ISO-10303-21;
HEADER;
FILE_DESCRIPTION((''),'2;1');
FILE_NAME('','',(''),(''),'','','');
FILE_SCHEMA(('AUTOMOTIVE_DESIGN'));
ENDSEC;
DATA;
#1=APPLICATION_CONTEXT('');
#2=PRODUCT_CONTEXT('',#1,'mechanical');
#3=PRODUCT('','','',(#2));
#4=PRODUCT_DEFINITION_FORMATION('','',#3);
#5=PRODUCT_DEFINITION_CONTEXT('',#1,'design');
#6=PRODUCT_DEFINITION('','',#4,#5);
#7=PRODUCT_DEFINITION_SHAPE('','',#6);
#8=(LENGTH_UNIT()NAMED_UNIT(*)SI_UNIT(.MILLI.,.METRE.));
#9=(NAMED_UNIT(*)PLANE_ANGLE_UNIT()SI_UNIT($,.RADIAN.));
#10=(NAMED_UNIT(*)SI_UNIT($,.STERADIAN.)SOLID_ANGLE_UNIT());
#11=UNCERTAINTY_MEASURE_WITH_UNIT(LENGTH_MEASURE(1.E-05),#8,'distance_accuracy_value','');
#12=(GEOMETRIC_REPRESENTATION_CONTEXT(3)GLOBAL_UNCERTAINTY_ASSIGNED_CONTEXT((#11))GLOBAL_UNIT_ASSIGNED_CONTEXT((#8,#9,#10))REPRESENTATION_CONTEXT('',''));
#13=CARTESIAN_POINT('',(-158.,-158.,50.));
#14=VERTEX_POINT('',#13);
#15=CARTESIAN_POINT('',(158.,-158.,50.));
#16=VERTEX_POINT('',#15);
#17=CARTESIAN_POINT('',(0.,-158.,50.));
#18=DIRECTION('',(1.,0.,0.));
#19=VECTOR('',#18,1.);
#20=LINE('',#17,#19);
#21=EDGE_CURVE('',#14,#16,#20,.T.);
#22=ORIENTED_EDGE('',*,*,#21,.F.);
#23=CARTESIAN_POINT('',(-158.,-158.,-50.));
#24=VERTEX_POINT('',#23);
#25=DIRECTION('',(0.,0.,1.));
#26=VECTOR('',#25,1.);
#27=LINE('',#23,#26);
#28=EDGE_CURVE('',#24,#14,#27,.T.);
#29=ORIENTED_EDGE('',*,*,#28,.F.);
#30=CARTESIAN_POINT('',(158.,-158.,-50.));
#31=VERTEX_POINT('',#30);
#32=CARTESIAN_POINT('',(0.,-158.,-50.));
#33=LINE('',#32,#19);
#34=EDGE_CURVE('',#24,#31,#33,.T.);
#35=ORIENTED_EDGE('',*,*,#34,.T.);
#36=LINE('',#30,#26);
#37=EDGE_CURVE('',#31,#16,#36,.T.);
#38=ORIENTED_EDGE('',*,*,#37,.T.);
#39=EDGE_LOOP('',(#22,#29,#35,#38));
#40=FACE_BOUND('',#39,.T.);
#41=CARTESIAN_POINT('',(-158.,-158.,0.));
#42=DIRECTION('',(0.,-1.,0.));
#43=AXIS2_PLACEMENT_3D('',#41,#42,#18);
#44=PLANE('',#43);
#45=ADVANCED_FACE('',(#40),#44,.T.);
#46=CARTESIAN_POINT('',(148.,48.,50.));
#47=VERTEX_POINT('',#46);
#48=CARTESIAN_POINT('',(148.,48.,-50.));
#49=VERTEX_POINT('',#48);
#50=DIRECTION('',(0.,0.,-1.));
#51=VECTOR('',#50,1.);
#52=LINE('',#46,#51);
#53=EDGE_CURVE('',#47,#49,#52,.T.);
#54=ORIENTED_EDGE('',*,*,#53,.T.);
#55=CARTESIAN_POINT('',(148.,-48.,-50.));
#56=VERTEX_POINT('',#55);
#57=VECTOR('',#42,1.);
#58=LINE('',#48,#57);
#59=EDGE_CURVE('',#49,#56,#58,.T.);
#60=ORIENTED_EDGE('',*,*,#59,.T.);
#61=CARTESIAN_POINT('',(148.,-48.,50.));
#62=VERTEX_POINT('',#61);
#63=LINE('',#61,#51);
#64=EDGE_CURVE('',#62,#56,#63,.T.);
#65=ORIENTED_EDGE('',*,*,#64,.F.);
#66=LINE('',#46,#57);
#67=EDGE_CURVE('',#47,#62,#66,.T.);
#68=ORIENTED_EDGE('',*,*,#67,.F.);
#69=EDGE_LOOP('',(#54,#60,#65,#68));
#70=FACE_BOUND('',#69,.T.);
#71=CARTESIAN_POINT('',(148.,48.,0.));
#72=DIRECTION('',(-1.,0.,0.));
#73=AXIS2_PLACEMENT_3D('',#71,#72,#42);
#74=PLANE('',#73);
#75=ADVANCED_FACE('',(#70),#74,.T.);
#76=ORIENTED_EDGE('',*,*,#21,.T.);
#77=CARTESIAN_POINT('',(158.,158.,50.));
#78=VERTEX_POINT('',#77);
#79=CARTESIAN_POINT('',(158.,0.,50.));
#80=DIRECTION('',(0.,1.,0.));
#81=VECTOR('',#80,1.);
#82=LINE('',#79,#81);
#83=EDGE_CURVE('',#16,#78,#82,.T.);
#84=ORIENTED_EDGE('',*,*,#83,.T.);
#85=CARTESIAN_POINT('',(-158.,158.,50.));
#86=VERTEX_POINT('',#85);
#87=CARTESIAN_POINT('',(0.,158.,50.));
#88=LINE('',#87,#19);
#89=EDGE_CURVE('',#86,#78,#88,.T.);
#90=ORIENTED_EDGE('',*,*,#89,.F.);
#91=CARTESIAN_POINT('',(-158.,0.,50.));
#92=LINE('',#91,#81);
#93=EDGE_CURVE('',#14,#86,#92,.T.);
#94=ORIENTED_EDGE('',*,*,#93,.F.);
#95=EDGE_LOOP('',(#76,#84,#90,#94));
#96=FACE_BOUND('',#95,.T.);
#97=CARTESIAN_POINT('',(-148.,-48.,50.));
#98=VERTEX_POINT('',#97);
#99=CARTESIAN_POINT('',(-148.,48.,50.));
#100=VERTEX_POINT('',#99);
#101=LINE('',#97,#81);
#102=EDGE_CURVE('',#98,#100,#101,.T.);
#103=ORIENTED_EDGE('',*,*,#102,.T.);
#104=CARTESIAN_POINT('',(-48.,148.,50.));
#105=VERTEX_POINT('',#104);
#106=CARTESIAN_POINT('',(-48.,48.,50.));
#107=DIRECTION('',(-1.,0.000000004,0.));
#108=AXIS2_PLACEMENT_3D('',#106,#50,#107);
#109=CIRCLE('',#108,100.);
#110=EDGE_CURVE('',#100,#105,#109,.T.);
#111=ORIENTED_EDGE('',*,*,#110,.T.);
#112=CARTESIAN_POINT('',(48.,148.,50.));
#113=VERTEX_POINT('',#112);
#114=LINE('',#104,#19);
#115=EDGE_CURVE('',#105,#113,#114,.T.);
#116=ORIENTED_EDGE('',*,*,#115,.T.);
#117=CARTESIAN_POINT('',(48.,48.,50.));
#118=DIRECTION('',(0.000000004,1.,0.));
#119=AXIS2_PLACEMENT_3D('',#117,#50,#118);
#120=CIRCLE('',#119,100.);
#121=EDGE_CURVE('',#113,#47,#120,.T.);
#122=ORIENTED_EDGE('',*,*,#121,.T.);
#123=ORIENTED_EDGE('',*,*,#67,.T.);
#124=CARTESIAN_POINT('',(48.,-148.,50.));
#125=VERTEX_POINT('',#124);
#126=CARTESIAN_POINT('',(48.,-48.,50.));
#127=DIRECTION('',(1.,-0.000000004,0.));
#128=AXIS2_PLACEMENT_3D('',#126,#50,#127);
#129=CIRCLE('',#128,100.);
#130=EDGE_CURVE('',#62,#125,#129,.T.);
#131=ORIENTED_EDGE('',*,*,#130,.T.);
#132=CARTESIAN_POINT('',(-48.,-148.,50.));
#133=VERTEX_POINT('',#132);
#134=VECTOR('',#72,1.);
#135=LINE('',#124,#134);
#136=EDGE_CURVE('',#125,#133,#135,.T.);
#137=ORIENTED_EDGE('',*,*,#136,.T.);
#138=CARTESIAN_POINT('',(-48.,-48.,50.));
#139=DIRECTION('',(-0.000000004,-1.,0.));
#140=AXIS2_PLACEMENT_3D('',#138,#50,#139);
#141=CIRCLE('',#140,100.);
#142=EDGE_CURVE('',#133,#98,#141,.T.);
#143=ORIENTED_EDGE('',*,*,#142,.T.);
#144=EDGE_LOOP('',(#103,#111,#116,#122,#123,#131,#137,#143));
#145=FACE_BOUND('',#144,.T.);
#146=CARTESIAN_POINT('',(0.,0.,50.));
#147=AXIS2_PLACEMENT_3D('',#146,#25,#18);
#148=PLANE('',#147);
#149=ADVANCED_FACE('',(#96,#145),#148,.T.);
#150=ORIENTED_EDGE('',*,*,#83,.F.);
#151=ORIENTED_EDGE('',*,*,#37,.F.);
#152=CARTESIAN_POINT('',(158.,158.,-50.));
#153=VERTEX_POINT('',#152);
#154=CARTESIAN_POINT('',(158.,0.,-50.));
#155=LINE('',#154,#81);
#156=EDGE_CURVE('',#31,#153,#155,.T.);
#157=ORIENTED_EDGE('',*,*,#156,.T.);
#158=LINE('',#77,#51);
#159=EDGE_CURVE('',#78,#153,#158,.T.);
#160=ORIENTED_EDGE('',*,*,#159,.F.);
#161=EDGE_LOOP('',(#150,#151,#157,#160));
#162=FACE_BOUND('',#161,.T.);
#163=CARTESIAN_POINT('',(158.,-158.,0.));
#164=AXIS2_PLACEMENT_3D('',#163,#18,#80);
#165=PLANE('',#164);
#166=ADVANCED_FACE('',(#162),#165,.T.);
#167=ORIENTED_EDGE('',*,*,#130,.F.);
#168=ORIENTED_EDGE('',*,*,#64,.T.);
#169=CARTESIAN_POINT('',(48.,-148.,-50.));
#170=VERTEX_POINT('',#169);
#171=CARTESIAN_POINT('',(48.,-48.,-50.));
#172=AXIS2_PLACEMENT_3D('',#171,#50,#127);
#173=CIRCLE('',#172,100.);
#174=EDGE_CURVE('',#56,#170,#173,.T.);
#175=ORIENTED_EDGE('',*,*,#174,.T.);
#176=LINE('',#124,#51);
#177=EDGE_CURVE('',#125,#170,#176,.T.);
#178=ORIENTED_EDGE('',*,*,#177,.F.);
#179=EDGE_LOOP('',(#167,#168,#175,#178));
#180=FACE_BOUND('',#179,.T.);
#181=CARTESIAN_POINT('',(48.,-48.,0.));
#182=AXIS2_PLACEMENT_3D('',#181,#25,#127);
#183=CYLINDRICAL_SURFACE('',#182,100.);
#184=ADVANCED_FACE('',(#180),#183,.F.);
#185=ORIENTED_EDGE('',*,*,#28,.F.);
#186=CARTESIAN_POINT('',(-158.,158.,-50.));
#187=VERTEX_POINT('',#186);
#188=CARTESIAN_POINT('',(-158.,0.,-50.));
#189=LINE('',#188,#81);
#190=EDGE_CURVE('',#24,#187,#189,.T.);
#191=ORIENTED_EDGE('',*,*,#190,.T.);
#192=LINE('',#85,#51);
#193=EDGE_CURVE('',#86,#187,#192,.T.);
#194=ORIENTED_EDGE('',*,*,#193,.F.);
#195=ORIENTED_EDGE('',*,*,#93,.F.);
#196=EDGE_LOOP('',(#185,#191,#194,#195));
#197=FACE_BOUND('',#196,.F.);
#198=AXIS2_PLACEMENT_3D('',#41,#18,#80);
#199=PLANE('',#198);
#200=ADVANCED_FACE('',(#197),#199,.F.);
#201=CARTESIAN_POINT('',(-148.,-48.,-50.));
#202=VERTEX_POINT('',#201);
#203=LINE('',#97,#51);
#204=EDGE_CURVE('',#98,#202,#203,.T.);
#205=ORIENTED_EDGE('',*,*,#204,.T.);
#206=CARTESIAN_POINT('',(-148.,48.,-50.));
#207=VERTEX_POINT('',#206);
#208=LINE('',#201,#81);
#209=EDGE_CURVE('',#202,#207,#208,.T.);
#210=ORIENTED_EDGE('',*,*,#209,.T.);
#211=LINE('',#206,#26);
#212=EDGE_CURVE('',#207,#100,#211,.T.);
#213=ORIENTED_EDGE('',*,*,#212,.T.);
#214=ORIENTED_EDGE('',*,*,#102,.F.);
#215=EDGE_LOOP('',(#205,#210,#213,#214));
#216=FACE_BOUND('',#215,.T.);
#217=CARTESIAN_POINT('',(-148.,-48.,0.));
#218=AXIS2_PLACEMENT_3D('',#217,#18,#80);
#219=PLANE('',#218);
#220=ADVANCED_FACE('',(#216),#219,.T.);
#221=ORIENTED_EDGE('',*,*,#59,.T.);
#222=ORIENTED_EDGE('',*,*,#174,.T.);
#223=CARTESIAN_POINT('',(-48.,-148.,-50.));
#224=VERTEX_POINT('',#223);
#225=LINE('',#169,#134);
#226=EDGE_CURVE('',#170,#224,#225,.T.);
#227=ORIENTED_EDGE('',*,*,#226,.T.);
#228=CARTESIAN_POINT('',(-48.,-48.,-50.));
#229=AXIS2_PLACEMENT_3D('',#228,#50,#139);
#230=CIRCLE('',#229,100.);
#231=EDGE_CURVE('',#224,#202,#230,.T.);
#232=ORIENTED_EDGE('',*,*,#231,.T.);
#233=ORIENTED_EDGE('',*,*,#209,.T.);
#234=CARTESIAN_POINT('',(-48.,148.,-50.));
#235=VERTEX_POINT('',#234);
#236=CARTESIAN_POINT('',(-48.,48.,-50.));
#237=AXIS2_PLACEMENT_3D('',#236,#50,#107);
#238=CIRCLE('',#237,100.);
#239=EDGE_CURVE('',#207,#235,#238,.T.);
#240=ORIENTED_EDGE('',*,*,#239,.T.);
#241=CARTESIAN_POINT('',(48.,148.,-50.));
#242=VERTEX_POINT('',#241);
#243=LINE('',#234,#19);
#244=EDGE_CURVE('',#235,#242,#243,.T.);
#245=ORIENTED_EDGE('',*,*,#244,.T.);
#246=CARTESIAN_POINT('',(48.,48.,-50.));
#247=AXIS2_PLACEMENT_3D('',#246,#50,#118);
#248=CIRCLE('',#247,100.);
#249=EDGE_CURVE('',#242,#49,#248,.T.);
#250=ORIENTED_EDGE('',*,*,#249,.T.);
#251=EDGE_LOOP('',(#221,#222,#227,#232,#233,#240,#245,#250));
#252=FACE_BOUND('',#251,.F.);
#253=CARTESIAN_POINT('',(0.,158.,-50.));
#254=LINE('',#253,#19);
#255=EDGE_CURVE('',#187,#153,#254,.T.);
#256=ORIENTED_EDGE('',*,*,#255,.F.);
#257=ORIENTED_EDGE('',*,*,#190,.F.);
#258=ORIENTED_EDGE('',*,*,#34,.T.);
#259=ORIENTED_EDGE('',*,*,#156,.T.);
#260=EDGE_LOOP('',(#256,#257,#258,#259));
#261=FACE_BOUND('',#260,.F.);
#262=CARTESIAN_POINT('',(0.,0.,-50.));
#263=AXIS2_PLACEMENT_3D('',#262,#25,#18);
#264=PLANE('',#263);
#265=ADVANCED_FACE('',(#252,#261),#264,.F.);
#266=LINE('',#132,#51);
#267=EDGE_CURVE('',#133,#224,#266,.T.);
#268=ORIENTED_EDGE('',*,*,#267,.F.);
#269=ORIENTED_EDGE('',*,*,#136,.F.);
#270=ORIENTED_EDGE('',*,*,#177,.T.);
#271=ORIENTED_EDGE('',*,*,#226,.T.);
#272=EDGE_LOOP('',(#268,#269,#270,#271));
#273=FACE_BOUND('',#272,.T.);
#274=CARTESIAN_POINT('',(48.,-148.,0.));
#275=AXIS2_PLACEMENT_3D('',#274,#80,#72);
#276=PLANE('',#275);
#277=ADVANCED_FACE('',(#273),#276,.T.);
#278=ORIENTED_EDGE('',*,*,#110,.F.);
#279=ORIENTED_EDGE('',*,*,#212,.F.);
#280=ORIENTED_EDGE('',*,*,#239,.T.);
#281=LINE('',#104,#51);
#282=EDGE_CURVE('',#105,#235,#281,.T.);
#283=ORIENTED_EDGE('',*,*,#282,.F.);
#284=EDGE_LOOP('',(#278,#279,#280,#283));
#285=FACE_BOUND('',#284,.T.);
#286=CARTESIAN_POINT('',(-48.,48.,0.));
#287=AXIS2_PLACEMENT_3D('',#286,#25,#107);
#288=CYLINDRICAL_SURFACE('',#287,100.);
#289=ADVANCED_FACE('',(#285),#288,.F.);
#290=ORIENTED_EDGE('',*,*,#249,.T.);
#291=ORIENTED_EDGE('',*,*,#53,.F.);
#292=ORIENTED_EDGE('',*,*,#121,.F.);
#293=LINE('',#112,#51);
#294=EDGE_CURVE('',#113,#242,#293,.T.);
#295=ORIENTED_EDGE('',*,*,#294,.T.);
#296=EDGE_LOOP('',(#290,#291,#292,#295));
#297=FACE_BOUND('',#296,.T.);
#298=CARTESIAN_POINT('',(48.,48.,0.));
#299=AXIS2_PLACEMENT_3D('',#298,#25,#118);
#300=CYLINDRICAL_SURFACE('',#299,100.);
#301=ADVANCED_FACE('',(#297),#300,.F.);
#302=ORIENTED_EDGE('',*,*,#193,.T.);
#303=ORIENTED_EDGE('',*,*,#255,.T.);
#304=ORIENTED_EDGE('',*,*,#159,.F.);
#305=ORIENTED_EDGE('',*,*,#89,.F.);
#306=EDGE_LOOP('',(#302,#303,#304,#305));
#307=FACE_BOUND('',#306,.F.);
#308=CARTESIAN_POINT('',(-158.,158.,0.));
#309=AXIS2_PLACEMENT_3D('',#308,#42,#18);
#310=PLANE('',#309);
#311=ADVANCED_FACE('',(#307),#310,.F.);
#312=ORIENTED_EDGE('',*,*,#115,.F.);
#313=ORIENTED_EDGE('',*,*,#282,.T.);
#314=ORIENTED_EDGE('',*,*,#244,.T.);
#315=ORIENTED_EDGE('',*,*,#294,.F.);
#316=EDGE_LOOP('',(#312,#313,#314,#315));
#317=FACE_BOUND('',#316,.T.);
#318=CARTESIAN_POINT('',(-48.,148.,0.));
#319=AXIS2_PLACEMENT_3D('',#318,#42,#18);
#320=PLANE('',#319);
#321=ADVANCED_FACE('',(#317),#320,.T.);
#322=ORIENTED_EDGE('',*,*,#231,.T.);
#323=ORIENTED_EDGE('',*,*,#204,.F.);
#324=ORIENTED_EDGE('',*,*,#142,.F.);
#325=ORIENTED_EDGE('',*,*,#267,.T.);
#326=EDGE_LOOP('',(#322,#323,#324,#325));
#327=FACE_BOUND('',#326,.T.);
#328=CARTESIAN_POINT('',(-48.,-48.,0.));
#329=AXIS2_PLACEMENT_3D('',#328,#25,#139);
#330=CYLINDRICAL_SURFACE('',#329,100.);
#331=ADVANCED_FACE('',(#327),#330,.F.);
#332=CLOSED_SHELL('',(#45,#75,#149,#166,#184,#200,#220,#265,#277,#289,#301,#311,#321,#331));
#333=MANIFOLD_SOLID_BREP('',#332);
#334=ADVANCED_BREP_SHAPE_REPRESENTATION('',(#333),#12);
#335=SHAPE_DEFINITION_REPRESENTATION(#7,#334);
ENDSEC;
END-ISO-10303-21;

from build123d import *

# Parameters (mm, degrees)
F0_W     = 316
F0_H     = 316
F1_DEPTH = 50


with BuildPart() as f1:
    # F0 (on Top) → F1 (new body, symmetric)
    with BuildSketch(Plane.XY):
        Rectangle(F0_W, F0_H)
        with BuildLine():
            ThreePointArc((-148, 48), (-118.710678, 118.710678), (-48, 148))
            Line((-48, 148), (48, 148))
            ThreePointArc((48, 148), (118.710678, 118.710678), (148, 48))
            Line((148, 48), (148, -48))
            ThreePointArc((148, -48), (118.710678, -118.710678), (48, -148))
            Line((48, -148), (-48, -148))
            ThreePointArc((-48, -148), (-118.710678, -118.710678), (-148, -48))
            Line((-148, -48), (-148, 48))
        make_face(mode=Mode.SUBTRACT)
    extrude(amount=F1_DEPTH, both=True)


solid = f1.part
